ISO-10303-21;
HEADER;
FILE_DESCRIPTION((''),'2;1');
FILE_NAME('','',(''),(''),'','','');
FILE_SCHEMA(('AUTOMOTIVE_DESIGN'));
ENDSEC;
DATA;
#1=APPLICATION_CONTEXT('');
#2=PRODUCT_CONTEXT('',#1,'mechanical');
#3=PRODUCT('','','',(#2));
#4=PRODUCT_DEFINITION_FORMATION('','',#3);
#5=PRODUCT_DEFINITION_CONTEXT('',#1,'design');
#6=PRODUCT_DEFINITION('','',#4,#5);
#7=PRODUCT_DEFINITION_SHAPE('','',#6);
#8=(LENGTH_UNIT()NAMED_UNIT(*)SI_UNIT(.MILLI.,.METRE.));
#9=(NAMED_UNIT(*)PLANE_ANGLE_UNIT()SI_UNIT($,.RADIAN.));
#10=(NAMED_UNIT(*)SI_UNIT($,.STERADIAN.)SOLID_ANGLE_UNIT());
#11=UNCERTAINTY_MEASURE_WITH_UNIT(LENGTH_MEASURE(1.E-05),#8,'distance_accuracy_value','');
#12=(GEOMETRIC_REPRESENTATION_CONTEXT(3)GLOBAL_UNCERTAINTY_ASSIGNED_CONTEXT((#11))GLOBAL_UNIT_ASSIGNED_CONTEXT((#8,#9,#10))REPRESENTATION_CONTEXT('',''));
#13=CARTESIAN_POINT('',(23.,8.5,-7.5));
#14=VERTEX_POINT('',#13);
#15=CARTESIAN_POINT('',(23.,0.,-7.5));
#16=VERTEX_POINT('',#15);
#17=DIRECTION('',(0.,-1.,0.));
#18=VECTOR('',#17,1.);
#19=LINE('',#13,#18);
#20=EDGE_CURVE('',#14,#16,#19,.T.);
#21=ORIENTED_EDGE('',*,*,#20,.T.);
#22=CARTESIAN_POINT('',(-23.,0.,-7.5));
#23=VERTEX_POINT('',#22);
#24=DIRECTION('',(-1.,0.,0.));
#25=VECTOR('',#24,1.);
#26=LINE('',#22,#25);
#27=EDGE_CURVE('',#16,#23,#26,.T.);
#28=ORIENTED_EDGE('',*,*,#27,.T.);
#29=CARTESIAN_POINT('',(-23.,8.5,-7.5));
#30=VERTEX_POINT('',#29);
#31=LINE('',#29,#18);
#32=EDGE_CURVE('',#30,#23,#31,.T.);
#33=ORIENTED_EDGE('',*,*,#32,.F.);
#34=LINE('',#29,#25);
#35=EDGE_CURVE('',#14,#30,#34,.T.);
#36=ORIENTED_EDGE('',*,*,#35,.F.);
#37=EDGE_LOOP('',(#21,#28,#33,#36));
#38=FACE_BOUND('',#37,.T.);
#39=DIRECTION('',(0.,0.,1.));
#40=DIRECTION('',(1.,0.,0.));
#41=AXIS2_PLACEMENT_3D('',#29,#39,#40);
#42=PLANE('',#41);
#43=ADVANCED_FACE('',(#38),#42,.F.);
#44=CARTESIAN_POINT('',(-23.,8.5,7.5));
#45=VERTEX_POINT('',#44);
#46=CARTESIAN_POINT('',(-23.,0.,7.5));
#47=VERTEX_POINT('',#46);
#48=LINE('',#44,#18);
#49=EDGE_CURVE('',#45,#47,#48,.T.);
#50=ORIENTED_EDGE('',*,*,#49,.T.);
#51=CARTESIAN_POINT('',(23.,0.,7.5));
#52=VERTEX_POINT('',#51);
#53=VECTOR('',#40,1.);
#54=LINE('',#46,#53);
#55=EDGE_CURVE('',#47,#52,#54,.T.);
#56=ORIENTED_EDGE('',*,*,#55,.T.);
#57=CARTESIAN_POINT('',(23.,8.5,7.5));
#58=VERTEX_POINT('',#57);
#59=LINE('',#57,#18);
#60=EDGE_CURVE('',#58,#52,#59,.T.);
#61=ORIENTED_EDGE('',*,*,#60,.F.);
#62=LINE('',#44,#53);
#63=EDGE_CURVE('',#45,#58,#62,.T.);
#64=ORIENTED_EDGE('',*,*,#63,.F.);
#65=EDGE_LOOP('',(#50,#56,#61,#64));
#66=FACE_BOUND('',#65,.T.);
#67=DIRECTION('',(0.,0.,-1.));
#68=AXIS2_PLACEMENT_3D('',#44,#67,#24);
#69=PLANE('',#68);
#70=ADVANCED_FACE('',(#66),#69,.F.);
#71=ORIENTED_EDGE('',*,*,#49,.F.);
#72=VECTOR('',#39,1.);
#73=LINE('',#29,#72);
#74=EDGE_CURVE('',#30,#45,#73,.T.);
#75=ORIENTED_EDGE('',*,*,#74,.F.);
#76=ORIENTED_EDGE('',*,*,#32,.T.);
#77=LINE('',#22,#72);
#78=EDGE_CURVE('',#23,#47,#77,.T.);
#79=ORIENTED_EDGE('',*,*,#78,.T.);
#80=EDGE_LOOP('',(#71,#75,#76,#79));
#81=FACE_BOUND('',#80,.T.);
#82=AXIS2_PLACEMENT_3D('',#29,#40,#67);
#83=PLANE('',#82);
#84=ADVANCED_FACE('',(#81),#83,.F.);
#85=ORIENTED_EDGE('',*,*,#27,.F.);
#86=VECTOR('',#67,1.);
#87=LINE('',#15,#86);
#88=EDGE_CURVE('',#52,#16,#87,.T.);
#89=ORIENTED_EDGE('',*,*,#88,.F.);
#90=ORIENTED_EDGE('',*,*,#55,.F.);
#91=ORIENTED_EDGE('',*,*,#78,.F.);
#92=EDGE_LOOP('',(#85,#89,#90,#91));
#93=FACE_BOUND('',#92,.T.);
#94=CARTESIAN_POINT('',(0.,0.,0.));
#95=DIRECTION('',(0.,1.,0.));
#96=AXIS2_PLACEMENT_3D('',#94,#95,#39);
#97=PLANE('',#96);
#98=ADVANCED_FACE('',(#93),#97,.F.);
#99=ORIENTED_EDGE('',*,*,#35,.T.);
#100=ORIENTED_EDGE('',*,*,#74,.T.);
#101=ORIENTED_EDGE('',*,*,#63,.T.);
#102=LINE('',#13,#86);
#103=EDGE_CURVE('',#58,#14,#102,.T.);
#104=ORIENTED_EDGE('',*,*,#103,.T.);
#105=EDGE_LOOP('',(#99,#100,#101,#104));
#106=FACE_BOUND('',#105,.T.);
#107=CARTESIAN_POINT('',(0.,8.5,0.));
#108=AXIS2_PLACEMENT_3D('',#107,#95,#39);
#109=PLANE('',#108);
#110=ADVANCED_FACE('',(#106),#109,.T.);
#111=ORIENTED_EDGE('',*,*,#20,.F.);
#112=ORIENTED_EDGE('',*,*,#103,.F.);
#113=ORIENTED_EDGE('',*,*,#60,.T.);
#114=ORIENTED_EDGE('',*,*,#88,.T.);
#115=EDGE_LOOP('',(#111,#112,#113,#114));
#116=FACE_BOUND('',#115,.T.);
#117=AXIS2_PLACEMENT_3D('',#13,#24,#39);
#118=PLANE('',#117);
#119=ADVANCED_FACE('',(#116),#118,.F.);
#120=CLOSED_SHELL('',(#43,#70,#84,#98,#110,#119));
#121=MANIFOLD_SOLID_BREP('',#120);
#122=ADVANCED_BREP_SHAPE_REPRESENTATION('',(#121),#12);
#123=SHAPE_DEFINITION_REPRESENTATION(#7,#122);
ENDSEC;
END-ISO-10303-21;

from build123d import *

# Parameters (mm, degrees)
ESBO_O1_W                = 46
ESBO_O1_H                = 15
RESSALTO_EXTRUS_O1_DEPTH = 8.5


with BuildPart() as part:
    # Esboço1 → Ressalto-extrusão1 (new body)
    with BuildSketch(Plane(origin=(0, 0, 0), x_dir=(1, 0, 0), z_dir=(0, 1, 0))):
        Rectangle(ESBO_O1_W, ESBO_O1_H)
    extrude(amount=RESSALTO_EXTRUS_O1_DEPTH)


solid = part.part
